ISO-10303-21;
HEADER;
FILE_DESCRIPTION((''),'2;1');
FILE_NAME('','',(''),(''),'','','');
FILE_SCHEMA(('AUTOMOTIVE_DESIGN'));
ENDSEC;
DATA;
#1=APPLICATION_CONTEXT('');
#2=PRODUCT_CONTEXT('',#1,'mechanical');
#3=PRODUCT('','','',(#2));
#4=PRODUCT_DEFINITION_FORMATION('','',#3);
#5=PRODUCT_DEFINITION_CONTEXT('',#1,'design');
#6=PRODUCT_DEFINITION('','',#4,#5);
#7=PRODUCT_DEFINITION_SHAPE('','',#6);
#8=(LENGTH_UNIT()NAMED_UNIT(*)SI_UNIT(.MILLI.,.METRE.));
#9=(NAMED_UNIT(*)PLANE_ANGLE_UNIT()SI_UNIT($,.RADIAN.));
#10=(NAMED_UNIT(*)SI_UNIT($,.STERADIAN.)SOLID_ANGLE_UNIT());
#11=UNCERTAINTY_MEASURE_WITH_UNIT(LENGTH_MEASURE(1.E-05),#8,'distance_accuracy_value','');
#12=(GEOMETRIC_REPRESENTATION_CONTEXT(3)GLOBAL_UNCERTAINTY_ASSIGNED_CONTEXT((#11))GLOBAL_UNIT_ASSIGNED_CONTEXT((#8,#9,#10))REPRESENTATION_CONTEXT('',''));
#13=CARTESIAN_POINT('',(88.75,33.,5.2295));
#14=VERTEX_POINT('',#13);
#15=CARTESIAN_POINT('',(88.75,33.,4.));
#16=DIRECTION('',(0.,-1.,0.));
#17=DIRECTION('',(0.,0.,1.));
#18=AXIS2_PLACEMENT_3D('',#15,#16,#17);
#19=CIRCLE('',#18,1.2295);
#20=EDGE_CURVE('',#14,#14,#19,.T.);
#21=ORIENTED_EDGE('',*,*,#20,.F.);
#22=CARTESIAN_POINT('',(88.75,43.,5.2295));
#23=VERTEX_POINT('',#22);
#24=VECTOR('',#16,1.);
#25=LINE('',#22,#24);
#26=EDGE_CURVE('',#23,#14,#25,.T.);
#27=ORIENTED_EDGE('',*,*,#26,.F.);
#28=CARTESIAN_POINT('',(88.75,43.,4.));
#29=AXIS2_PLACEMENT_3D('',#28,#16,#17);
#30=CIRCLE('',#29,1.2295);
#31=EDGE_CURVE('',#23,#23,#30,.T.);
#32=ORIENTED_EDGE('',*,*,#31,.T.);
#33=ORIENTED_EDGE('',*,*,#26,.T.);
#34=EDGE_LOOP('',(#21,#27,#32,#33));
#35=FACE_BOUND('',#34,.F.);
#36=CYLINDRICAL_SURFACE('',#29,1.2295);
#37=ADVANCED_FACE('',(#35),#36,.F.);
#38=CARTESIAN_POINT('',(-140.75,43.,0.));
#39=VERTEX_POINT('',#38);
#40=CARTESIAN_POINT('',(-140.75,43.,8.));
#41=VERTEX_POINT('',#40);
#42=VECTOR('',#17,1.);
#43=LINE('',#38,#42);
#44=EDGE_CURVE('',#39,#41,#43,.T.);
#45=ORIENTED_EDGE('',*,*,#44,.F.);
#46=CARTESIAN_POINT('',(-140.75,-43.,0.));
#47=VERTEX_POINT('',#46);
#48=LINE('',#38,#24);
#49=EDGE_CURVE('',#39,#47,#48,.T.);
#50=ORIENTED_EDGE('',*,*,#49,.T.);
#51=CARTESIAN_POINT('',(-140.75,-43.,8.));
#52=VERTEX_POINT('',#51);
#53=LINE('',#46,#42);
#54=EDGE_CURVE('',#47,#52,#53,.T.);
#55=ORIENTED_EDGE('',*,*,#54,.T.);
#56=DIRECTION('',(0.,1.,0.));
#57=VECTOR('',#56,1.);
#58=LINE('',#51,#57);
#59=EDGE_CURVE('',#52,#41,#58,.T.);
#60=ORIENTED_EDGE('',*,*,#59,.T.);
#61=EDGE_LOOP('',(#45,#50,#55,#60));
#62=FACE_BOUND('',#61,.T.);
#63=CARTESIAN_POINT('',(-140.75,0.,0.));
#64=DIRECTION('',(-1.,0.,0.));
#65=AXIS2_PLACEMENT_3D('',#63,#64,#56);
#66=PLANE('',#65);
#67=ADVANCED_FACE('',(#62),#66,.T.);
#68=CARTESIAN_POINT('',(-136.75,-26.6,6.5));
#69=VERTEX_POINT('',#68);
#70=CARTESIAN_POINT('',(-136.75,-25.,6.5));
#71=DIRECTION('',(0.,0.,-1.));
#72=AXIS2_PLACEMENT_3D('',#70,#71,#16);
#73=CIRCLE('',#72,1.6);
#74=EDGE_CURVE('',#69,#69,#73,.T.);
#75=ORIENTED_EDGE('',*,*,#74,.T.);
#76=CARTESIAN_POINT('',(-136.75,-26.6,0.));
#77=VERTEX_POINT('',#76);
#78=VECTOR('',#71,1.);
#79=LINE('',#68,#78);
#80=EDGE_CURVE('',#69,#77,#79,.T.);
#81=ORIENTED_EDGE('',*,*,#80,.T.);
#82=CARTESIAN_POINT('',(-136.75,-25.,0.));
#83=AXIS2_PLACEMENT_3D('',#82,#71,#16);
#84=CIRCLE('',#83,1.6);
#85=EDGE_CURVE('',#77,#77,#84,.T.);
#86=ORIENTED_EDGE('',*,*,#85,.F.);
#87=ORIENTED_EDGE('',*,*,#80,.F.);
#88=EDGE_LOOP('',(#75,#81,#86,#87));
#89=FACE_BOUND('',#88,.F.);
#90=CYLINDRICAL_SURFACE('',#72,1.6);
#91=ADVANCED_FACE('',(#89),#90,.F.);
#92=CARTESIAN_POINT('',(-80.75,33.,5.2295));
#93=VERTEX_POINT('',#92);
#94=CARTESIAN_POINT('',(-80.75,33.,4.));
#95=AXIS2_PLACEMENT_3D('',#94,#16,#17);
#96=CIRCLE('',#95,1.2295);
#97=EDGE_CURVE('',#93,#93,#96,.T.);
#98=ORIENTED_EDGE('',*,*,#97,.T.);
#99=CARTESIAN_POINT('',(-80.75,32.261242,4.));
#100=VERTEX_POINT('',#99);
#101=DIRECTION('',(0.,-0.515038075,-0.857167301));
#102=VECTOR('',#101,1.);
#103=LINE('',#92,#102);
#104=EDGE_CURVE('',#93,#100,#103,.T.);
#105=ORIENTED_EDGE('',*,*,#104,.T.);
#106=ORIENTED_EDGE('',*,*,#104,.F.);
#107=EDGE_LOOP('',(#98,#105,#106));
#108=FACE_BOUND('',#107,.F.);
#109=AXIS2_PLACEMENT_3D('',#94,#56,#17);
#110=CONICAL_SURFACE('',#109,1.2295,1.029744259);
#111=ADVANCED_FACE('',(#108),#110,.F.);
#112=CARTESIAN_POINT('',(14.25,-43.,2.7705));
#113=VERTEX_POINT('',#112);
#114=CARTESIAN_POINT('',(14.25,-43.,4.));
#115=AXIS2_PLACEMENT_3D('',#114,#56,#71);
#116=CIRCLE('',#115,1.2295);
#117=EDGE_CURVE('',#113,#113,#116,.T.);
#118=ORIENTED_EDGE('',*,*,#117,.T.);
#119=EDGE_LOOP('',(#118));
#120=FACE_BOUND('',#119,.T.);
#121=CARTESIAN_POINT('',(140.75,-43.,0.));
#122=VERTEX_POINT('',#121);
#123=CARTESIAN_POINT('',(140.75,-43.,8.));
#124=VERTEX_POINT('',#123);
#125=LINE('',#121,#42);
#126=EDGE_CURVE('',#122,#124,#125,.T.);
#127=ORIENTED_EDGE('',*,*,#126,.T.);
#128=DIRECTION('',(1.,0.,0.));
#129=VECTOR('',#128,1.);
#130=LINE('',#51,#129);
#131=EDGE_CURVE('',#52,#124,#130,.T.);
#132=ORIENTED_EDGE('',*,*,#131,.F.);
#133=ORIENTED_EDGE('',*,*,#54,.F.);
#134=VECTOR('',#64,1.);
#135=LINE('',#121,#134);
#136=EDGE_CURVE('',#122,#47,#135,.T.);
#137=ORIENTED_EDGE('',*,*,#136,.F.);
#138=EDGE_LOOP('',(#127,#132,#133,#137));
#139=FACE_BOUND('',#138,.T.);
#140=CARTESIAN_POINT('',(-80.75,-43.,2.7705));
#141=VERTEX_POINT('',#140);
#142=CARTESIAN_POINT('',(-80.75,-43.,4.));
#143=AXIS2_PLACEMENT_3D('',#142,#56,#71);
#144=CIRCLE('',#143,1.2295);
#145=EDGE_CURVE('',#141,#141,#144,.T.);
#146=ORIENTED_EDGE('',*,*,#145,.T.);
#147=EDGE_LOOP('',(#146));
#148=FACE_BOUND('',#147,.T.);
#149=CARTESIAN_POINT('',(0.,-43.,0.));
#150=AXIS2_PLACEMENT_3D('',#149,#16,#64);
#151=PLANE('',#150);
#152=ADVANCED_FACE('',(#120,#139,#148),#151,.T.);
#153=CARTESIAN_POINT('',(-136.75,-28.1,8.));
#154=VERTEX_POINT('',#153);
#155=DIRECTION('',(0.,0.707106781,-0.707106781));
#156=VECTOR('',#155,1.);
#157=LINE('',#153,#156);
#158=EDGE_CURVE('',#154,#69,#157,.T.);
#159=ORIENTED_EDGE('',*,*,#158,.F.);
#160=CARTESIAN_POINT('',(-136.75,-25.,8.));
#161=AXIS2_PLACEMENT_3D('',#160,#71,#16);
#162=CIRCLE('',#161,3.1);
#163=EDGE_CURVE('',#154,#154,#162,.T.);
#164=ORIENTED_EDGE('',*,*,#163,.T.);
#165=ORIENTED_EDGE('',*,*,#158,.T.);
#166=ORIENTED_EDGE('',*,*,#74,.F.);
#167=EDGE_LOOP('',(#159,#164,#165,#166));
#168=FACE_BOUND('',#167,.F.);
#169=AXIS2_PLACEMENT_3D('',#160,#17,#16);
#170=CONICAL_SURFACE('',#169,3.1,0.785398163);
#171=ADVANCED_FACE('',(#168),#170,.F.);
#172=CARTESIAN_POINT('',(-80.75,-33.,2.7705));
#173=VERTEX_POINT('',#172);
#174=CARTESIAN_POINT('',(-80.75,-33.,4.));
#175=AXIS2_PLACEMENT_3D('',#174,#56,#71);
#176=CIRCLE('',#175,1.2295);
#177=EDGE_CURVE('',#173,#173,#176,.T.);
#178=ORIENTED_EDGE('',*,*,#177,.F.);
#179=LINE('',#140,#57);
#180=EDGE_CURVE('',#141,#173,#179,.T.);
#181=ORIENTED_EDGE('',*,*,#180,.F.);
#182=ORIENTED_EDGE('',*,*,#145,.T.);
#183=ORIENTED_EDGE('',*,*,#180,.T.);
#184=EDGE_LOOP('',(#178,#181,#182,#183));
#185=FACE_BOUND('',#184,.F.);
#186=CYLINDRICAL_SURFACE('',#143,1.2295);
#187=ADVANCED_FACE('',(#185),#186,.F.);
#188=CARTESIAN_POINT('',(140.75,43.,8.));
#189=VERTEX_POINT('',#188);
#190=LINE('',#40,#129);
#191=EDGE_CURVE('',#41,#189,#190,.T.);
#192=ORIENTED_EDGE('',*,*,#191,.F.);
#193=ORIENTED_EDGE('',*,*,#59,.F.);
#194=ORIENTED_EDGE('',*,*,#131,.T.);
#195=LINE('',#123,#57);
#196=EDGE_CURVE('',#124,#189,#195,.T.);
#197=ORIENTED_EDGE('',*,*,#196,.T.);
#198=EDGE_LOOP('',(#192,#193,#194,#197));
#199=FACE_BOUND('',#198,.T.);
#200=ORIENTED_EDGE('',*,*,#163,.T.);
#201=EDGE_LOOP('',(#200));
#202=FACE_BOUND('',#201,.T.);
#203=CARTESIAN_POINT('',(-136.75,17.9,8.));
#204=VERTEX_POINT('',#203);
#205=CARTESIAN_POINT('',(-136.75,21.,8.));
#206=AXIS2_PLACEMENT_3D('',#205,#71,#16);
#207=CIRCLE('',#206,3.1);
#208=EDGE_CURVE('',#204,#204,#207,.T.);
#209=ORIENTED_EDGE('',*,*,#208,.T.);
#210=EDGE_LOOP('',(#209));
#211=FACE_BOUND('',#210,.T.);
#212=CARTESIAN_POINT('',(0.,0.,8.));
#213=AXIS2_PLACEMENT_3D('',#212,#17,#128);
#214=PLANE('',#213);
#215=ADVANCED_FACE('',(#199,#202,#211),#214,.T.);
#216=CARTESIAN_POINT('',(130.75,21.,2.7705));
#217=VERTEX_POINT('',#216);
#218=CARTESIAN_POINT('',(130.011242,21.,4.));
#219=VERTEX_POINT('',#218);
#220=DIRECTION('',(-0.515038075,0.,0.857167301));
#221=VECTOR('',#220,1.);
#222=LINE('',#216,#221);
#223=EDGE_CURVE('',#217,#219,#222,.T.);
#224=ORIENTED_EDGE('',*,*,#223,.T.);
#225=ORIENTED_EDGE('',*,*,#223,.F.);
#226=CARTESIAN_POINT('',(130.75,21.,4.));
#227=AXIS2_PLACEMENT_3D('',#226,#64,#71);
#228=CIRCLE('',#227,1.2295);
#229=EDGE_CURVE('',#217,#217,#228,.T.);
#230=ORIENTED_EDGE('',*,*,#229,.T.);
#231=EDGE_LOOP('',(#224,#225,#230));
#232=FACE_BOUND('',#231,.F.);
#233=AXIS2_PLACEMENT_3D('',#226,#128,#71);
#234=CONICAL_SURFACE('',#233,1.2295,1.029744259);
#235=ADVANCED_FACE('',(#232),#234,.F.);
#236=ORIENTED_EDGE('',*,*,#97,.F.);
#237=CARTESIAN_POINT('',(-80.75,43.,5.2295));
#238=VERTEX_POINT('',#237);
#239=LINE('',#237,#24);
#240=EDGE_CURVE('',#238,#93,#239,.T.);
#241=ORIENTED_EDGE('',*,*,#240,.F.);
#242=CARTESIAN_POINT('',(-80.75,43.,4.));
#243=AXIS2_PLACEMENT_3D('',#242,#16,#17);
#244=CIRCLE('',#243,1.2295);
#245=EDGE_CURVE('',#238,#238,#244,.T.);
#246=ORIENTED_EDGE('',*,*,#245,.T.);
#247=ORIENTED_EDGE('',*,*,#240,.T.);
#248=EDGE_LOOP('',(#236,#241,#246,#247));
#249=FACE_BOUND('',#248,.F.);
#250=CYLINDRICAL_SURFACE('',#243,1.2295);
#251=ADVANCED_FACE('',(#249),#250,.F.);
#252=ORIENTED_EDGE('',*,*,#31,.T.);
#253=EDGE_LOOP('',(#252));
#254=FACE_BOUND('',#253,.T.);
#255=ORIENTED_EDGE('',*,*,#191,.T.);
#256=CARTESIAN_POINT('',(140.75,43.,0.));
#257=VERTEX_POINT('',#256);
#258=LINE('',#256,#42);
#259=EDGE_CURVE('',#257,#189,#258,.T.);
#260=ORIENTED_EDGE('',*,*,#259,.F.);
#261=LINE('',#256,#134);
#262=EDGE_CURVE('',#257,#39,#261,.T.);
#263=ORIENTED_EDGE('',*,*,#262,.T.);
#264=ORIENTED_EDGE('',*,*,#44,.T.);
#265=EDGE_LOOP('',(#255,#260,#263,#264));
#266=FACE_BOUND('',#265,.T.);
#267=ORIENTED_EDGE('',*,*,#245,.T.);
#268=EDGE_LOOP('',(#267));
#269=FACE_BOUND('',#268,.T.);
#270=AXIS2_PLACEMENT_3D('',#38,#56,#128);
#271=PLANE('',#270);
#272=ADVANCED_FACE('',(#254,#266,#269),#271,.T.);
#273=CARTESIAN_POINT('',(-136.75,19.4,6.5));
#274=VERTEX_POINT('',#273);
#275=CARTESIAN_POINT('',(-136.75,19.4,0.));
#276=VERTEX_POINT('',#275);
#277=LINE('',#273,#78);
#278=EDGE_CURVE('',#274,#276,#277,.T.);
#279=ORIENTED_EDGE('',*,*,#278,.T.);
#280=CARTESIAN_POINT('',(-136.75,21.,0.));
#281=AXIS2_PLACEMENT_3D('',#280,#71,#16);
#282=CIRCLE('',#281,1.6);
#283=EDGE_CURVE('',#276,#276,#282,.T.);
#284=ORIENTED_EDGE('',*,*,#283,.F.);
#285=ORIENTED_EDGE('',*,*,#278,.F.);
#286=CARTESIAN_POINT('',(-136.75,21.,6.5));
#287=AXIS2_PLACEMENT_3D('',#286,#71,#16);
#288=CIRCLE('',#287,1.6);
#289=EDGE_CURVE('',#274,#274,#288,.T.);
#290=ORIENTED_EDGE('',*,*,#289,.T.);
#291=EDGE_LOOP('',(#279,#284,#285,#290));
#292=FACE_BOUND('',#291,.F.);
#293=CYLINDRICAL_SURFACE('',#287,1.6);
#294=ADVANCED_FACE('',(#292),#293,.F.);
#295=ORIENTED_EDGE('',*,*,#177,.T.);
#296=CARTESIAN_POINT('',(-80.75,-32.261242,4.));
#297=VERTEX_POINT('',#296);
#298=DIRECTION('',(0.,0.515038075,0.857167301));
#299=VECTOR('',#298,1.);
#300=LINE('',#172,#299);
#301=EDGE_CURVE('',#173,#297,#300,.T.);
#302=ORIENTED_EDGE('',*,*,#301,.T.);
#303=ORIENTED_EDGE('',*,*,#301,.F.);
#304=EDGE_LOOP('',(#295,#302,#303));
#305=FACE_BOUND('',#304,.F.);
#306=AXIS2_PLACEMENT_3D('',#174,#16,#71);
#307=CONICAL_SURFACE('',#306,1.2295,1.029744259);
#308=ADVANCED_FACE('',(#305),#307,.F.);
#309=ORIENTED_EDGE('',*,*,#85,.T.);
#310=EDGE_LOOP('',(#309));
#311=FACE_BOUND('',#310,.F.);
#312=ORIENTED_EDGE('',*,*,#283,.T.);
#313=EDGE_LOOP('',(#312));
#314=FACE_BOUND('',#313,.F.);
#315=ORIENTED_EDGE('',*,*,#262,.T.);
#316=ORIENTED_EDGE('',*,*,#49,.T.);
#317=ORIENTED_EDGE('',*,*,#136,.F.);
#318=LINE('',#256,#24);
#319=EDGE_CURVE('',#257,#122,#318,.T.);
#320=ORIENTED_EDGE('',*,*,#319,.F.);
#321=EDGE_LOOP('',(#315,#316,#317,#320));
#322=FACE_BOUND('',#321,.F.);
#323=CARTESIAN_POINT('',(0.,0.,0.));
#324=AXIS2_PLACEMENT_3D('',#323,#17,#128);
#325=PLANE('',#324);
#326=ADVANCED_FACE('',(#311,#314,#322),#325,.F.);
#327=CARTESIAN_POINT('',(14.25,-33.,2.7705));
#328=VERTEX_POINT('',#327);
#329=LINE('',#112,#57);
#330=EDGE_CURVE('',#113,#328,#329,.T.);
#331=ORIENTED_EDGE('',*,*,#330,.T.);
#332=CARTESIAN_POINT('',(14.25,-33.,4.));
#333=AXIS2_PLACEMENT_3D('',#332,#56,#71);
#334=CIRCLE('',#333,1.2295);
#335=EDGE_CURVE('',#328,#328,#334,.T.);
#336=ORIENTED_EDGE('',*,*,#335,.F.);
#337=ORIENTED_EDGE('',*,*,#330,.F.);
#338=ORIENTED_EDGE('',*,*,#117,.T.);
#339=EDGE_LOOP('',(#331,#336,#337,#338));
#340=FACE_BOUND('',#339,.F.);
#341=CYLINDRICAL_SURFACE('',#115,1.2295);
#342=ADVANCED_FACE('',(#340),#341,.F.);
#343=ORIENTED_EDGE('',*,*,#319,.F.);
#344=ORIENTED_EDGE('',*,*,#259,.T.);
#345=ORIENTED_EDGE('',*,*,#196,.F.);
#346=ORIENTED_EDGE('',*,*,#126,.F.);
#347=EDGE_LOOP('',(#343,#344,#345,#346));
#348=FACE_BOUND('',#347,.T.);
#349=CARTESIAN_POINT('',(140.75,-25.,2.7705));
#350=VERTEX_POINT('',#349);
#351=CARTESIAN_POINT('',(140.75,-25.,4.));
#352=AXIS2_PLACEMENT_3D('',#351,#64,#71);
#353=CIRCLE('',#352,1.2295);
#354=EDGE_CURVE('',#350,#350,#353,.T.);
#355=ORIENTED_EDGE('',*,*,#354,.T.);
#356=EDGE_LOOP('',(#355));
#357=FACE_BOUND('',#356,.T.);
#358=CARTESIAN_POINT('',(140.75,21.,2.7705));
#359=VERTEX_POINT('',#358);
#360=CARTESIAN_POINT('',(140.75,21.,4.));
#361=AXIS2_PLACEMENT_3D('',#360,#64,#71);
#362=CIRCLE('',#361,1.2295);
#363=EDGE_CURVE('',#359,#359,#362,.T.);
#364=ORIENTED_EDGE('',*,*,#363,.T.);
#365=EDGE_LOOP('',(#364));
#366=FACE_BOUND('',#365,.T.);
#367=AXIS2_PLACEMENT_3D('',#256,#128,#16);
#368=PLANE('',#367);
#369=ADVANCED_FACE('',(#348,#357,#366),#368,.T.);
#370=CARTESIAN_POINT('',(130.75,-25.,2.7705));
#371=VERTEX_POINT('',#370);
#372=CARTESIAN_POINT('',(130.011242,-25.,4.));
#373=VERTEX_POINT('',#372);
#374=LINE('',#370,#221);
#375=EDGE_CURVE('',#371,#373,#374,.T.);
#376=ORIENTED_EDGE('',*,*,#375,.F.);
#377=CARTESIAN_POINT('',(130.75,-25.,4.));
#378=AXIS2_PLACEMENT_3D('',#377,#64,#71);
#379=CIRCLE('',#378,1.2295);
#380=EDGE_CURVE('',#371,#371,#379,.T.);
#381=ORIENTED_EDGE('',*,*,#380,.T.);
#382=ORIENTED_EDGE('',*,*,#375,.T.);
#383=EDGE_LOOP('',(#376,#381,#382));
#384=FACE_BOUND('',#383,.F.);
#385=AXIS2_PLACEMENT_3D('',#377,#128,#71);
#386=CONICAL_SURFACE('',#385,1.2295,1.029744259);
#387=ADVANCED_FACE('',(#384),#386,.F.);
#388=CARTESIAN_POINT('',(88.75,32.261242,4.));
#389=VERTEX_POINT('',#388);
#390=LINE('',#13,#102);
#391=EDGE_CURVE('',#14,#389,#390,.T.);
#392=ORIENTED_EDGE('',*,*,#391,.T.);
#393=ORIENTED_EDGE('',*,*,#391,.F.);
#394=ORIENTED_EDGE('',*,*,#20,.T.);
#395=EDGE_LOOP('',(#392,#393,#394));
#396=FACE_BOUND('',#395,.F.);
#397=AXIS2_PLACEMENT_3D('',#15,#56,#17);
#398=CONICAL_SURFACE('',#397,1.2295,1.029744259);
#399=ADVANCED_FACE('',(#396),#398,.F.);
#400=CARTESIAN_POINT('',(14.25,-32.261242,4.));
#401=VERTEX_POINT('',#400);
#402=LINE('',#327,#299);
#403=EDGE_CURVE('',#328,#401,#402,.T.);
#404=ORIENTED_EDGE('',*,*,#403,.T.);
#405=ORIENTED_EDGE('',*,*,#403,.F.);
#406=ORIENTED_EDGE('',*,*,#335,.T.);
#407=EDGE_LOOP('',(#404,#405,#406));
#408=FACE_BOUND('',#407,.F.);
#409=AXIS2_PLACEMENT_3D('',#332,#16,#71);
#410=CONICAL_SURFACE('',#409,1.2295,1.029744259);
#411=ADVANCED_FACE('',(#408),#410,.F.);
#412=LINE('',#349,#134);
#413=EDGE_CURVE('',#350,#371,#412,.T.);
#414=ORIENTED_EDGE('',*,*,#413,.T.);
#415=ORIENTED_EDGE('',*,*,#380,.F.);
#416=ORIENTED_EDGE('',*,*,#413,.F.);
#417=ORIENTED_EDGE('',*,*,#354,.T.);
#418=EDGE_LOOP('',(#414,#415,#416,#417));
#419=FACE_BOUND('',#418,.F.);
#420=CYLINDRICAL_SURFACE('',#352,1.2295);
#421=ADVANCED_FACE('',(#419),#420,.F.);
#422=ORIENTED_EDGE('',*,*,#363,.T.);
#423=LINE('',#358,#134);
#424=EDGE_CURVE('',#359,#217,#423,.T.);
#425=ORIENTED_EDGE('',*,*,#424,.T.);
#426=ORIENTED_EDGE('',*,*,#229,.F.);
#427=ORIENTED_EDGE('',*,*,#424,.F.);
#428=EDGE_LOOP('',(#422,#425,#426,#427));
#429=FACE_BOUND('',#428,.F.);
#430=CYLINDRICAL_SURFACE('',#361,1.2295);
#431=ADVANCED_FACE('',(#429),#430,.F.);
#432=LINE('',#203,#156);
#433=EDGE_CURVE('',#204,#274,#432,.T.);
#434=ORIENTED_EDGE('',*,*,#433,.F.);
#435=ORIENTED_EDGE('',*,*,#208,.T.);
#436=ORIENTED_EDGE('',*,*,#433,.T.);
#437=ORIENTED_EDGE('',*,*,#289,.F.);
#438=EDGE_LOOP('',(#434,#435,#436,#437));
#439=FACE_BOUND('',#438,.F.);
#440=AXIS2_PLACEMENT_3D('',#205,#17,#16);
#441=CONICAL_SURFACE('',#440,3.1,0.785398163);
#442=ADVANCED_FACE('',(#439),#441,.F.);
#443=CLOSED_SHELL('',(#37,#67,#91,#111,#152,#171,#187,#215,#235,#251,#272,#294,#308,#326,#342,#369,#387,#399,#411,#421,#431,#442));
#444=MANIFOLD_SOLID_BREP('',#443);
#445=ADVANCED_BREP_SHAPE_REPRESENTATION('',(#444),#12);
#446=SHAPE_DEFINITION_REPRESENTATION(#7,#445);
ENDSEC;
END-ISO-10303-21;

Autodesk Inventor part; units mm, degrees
ref_plane "YZ Plane" through (0, 0, 0) normal (1, 0, 0) x (0, 1, 0)
ref_plane "XZ Plane" through (0, 0, 0) normal (0, 1, 0) x (-1, 0, 0)
ref_plane "XY Plane" through (0, 0, 0) normal (0, 0, 1) x (1, 0, 0)
sketch "Skizze1" plane through (0, 0, 0) normal (0, 0, 1) x (1, 0, 0)
  line L0 (-140.75, 43) -> (140.75, 43)
  line L1 (140.75, 43) -> (140.75, -43)
  line L2 (140.75, -43) -> (-140.75, -43)
  line L3 (-140.75, -43) -> (-140.75, 43)
  line L4 (0, 60.2) -> (0, -60.2) projected
  line L5 (-197.05, 0) -> (197.05, 0) projected
  point P0 (0, 0)
  point P1 (0, 43)
  point P2 (-140.75, 0)
  dimension "d0" = 281.5
  dimension "d1" = 86
extrude "Extrusion1" add sketch "Skizze1" along normal blind 8
sketch "Skizze2" plane through (-140.75, 43, 0) normal (0, 1, 0) x (1, 0, 0)
  circle A0 centre (285.5, 42) radius 3.1 projected
  circle A1 centre (60, -4) radius 3.1 projected
  circle A2 centre (229.5, -4) radius 3.1 projected
  circle A3 centre (4, 42) radius 3.1 projected
  circle A4 centre (285.5, 142) radius 3.1 projected
  circle A5 centre (4, 142) radius 3.1 projected
  circle A6 centre (229.5, 188) radius 3.1 projected
  circle A7 centre (60, 188) radius 3.1 projected
  line L0 (0, -8) -> (0, 192) projected
  line L1 (0, -8) -> (289.5, -8) projected
  line L2 (289.5, -8) -> (289.5, 69) projected
  line L3 (289.5, 69) -> (341.5, 69) projected
  line L4 (341.5, 69) -> (341.5, 115) projected
  line L5 (289.5, 115) -> (341.5, 115) projected
  line L6 (289.5, 192) -> (289.5, 115) projected
  line L7 (0, 192) -> (289.5, 192) projected
  point P0 (140.75, 0)
hole "Bohrung1" at (-80.75, 43, 4) at (88.75, 43, 4) direction (0, -1, 0) diameter 2.459 depth 10 tip angle 118 thread size "M3x0.5" class "6H" standard "ISO Metric profile"
sketch "Skizze3" plane through (140.75, -43, 0) normal (1, 0, 0) x (0, 0, -1)
  circle A0 centre (-4, 18) radius 3.15 projected
  circle A1 centre (-4, 64) radius 3.15 projected
  line L0 (69, 18.5) -> (69, 86) projected
  line L1 (-8, 86) -> (69, 86) projected
  line L2 (-8, -4) -> (-8, 86) projected
  line L3 (87.2303, -4) -> (-8, -4) projected
  arc A2 (69, 18.5) -> (87.2303, -4) centre (92, 18.5) ccw projected
  point P0 (0, 43)
hole "Bohrung2" at (140.75, -25, 4) at (140.75, 21, 4) direction (-1, 0, 0) diameter 2.459 depth 10 tip angle 118 thread size "M3x0.5" class "6H" standard "ISO Metric profile"
sketch "Skizze4" plane through (0, 0, 8) normal (0, 0, 1) x (1, 0, 0)
  line L0 (-140.75, 43) -> (140.75, 43) projected
  line L1 (-140.75, -43) -> (-140.75, 43) projected
  line L2 (140.75, -43) -> (-140.75, -43) projected
  point P0 (0, 0)
  point P1 (-136.75, 21)
  point P2 (-136.75, -25)
  dimension "d18" = 4
  dimension "d19" = 22
  dimension "d20" = 4
  dimension "d21" = 18
hole "Bohrung3" at (-136.75, 21, 8) at (-136.75, -25, 8) direction (0, 0, -1) diameter 3.2 end through all countersink diameter 6.2 countersink angle 90
sketch "Skizze5" plane through (-140.75, -43, 0) normal (0, -1, 0) x (1, 0, 0)
  circle A0 centre (60, 4) radius 3.1 projected
  circle A1 centre (155, 4) radius 3.1 projected
  point P0 (140.75, 0)
hole "Bohrung4" at (-80.75, -43, 4) at (14.25, -43, 4) direction (0, 1, 0) diameter 2.459 depth 10 tip angle 118 thread size "M3x0.5" class "6H" standard "ISO Metric profile"
equation "\"d20\" = d18"
properties part number "Wand4" material "Polycarbonate, Smoke"
